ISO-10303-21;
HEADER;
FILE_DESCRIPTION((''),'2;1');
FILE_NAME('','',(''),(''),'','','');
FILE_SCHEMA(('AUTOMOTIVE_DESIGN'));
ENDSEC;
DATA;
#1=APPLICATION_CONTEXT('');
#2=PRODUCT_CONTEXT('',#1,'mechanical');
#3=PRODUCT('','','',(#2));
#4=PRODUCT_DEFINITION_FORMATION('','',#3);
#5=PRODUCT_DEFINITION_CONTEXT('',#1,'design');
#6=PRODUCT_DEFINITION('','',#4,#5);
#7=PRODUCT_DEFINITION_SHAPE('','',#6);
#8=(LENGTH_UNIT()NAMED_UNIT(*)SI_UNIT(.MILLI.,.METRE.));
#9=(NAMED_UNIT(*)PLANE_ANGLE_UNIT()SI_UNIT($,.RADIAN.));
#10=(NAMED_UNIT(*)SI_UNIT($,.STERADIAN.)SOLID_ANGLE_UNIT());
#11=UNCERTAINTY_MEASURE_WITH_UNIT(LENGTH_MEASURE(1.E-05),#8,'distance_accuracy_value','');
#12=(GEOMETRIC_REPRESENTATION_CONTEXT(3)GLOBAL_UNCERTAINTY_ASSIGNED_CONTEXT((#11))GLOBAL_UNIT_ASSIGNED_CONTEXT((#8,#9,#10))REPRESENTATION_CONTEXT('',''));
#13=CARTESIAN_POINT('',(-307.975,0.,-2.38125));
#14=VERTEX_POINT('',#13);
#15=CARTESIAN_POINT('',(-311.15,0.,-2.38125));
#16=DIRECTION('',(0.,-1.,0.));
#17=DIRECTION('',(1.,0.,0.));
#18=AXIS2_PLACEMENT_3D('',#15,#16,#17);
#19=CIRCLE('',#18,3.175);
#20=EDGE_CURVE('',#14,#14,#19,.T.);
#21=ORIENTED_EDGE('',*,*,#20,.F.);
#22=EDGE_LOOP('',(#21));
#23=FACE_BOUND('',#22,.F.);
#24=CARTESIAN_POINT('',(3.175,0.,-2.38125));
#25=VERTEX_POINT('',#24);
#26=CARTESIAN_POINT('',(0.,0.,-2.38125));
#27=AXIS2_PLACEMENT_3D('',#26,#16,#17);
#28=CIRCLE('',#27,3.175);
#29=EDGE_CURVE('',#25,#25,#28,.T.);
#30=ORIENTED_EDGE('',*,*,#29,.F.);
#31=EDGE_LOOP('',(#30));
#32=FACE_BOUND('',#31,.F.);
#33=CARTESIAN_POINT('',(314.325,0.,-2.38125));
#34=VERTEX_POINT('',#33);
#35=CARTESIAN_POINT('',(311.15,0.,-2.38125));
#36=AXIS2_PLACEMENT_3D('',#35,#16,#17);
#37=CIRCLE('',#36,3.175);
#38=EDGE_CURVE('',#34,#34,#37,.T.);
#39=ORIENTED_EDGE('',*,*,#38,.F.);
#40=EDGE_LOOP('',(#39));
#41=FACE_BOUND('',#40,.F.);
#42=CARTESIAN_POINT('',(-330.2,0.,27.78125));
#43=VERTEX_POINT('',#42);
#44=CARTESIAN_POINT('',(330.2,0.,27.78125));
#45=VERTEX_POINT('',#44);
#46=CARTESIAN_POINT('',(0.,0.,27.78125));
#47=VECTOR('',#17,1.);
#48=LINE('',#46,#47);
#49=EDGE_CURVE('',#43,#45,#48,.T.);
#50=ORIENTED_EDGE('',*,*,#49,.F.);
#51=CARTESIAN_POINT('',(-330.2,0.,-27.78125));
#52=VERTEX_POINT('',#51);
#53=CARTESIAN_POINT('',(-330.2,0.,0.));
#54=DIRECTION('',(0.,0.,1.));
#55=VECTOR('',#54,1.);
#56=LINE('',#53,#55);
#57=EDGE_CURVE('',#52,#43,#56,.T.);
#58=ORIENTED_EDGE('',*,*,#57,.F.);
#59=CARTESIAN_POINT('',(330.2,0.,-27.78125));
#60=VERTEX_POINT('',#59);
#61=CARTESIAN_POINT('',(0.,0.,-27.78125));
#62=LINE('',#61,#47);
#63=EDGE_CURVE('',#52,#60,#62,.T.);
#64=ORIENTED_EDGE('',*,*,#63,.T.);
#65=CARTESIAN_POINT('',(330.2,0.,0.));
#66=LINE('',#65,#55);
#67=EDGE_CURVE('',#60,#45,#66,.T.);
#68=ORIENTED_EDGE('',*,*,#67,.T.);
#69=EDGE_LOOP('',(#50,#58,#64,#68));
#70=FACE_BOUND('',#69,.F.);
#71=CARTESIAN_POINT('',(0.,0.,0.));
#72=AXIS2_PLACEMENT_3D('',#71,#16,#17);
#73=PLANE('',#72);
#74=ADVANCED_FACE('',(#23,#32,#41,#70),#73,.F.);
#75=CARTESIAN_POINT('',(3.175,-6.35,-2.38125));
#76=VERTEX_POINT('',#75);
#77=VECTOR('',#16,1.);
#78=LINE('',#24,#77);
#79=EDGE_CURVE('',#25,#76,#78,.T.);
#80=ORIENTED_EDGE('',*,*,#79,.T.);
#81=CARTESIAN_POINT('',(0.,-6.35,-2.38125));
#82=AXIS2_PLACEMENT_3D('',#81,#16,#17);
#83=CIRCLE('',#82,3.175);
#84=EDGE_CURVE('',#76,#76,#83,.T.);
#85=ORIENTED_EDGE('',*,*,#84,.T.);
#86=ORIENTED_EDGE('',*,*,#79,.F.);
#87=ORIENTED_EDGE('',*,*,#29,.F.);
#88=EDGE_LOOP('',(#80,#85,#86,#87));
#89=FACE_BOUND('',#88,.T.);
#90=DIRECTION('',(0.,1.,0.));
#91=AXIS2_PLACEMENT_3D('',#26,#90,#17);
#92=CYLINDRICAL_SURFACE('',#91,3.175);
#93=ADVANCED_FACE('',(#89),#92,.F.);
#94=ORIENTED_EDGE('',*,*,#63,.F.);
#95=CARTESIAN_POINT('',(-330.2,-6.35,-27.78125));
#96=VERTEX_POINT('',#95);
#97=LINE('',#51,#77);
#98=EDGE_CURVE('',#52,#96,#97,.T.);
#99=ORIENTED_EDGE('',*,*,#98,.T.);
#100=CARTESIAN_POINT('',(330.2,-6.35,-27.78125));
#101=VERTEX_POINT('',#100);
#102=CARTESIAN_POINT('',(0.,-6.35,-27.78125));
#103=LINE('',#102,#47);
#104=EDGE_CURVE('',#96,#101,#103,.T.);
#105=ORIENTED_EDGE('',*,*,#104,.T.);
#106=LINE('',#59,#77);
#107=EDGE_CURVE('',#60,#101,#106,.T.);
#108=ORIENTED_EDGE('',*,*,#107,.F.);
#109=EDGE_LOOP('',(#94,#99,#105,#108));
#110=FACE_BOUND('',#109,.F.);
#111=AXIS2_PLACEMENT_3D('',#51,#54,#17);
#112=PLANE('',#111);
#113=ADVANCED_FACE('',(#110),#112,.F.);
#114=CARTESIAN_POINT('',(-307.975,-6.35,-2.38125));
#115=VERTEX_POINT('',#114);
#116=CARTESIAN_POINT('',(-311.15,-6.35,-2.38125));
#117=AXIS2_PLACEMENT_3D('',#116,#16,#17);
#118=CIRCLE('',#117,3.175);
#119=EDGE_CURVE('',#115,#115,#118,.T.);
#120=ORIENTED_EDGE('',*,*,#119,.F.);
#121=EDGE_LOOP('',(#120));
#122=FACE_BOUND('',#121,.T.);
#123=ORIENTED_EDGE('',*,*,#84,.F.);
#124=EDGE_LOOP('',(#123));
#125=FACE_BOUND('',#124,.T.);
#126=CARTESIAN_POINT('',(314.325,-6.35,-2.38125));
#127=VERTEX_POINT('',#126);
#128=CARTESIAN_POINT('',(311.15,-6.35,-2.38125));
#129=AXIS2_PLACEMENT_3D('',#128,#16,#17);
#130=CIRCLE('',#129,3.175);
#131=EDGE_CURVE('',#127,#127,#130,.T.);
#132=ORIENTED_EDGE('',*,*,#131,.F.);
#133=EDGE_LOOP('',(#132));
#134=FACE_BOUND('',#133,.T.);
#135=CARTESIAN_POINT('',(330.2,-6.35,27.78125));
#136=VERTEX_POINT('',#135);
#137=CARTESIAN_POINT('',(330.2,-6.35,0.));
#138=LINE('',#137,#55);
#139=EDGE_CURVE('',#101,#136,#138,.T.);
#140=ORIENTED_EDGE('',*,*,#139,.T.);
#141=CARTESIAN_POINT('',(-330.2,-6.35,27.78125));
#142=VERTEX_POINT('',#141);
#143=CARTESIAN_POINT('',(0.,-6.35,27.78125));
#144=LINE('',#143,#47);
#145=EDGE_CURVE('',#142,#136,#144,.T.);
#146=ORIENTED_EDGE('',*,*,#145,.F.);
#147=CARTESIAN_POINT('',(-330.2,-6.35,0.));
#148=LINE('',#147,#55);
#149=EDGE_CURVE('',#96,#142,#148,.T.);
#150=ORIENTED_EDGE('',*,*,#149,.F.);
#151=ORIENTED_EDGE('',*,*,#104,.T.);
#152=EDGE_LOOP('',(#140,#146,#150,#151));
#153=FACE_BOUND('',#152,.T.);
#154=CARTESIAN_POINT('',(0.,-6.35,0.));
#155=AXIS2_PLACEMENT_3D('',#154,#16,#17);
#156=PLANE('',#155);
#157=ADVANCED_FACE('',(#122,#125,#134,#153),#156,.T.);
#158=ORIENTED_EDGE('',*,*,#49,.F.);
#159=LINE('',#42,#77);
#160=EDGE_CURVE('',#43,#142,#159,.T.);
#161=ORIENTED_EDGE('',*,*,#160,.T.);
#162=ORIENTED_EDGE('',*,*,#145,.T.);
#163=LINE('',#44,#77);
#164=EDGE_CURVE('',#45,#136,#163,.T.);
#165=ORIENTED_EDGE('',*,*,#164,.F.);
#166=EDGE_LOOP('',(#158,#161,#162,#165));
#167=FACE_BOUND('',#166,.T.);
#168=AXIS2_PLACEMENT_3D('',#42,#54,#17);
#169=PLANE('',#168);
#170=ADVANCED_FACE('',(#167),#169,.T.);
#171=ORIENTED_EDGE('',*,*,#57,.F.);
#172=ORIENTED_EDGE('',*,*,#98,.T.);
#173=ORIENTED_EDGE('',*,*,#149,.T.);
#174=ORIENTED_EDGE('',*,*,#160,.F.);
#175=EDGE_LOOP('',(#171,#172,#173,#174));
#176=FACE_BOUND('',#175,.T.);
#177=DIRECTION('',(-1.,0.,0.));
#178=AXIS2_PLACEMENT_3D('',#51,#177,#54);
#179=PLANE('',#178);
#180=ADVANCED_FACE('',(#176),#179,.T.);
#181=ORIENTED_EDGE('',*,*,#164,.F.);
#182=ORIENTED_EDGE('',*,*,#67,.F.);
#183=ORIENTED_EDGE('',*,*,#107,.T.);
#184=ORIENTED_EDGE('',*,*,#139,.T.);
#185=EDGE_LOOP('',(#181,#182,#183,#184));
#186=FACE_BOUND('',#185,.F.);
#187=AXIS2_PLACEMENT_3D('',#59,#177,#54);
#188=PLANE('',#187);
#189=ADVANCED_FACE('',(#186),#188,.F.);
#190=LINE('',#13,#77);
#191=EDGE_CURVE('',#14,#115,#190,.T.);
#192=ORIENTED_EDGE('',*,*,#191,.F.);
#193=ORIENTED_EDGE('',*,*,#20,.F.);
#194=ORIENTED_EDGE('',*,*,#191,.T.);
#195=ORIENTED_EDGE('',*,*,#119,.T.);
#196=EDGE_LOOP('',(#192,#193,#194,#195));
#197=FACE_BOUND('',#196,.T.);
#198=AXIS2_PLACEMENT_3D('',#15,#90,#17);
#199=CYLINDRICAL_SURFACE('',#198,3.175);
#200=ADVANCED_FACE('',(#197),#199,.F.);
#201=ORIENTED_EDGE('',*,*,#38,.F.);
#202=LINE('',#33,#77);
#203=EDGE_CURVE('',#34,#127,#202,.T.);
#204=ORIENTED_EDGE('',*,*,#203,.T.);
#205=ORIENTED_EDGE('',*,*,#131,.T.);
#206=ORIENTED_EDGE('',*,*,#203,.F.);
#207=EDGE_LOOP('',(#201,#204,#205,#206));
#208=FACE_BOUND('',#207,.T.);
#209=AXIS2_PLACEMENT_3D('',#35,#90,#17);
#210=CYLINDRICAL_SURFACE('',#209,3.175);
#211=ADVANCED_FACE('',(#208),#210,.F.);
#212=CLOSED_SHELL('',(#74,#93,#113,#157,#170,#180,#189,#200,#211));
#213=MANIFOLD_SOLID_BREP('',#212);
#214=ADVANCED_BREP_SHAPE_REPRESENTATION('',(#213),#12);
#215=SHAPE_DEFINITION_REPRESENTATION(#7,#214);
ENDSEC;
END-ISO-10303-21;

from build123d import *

# Parameters (mm, degrees)
F0_W     = 660.4
F0_H     = 55.5625
F0_R     = 3.175
F1_DEPTH = 6.35


with BuildPart() as f1:
    # F0 (on Front) → F1 (new body)
    with BuildSketch(Plane.XZ):
        Rectangle(F0_W, F0_H)
        with Locations((-311.15, -2.38125)):
            Circle(F0_R, mode=Mode.SUBTRACT)
        with Locations((0, -2.38125)):
            Circle(F0_R, mode=Mode.SUBTRACT)
        with Locations((311.15, -2.38125)):
            Circle(F0_R, mode=Mode.SUBTRACT)
    extrude(amount=F1_DEPTH)


solid = f1.part
